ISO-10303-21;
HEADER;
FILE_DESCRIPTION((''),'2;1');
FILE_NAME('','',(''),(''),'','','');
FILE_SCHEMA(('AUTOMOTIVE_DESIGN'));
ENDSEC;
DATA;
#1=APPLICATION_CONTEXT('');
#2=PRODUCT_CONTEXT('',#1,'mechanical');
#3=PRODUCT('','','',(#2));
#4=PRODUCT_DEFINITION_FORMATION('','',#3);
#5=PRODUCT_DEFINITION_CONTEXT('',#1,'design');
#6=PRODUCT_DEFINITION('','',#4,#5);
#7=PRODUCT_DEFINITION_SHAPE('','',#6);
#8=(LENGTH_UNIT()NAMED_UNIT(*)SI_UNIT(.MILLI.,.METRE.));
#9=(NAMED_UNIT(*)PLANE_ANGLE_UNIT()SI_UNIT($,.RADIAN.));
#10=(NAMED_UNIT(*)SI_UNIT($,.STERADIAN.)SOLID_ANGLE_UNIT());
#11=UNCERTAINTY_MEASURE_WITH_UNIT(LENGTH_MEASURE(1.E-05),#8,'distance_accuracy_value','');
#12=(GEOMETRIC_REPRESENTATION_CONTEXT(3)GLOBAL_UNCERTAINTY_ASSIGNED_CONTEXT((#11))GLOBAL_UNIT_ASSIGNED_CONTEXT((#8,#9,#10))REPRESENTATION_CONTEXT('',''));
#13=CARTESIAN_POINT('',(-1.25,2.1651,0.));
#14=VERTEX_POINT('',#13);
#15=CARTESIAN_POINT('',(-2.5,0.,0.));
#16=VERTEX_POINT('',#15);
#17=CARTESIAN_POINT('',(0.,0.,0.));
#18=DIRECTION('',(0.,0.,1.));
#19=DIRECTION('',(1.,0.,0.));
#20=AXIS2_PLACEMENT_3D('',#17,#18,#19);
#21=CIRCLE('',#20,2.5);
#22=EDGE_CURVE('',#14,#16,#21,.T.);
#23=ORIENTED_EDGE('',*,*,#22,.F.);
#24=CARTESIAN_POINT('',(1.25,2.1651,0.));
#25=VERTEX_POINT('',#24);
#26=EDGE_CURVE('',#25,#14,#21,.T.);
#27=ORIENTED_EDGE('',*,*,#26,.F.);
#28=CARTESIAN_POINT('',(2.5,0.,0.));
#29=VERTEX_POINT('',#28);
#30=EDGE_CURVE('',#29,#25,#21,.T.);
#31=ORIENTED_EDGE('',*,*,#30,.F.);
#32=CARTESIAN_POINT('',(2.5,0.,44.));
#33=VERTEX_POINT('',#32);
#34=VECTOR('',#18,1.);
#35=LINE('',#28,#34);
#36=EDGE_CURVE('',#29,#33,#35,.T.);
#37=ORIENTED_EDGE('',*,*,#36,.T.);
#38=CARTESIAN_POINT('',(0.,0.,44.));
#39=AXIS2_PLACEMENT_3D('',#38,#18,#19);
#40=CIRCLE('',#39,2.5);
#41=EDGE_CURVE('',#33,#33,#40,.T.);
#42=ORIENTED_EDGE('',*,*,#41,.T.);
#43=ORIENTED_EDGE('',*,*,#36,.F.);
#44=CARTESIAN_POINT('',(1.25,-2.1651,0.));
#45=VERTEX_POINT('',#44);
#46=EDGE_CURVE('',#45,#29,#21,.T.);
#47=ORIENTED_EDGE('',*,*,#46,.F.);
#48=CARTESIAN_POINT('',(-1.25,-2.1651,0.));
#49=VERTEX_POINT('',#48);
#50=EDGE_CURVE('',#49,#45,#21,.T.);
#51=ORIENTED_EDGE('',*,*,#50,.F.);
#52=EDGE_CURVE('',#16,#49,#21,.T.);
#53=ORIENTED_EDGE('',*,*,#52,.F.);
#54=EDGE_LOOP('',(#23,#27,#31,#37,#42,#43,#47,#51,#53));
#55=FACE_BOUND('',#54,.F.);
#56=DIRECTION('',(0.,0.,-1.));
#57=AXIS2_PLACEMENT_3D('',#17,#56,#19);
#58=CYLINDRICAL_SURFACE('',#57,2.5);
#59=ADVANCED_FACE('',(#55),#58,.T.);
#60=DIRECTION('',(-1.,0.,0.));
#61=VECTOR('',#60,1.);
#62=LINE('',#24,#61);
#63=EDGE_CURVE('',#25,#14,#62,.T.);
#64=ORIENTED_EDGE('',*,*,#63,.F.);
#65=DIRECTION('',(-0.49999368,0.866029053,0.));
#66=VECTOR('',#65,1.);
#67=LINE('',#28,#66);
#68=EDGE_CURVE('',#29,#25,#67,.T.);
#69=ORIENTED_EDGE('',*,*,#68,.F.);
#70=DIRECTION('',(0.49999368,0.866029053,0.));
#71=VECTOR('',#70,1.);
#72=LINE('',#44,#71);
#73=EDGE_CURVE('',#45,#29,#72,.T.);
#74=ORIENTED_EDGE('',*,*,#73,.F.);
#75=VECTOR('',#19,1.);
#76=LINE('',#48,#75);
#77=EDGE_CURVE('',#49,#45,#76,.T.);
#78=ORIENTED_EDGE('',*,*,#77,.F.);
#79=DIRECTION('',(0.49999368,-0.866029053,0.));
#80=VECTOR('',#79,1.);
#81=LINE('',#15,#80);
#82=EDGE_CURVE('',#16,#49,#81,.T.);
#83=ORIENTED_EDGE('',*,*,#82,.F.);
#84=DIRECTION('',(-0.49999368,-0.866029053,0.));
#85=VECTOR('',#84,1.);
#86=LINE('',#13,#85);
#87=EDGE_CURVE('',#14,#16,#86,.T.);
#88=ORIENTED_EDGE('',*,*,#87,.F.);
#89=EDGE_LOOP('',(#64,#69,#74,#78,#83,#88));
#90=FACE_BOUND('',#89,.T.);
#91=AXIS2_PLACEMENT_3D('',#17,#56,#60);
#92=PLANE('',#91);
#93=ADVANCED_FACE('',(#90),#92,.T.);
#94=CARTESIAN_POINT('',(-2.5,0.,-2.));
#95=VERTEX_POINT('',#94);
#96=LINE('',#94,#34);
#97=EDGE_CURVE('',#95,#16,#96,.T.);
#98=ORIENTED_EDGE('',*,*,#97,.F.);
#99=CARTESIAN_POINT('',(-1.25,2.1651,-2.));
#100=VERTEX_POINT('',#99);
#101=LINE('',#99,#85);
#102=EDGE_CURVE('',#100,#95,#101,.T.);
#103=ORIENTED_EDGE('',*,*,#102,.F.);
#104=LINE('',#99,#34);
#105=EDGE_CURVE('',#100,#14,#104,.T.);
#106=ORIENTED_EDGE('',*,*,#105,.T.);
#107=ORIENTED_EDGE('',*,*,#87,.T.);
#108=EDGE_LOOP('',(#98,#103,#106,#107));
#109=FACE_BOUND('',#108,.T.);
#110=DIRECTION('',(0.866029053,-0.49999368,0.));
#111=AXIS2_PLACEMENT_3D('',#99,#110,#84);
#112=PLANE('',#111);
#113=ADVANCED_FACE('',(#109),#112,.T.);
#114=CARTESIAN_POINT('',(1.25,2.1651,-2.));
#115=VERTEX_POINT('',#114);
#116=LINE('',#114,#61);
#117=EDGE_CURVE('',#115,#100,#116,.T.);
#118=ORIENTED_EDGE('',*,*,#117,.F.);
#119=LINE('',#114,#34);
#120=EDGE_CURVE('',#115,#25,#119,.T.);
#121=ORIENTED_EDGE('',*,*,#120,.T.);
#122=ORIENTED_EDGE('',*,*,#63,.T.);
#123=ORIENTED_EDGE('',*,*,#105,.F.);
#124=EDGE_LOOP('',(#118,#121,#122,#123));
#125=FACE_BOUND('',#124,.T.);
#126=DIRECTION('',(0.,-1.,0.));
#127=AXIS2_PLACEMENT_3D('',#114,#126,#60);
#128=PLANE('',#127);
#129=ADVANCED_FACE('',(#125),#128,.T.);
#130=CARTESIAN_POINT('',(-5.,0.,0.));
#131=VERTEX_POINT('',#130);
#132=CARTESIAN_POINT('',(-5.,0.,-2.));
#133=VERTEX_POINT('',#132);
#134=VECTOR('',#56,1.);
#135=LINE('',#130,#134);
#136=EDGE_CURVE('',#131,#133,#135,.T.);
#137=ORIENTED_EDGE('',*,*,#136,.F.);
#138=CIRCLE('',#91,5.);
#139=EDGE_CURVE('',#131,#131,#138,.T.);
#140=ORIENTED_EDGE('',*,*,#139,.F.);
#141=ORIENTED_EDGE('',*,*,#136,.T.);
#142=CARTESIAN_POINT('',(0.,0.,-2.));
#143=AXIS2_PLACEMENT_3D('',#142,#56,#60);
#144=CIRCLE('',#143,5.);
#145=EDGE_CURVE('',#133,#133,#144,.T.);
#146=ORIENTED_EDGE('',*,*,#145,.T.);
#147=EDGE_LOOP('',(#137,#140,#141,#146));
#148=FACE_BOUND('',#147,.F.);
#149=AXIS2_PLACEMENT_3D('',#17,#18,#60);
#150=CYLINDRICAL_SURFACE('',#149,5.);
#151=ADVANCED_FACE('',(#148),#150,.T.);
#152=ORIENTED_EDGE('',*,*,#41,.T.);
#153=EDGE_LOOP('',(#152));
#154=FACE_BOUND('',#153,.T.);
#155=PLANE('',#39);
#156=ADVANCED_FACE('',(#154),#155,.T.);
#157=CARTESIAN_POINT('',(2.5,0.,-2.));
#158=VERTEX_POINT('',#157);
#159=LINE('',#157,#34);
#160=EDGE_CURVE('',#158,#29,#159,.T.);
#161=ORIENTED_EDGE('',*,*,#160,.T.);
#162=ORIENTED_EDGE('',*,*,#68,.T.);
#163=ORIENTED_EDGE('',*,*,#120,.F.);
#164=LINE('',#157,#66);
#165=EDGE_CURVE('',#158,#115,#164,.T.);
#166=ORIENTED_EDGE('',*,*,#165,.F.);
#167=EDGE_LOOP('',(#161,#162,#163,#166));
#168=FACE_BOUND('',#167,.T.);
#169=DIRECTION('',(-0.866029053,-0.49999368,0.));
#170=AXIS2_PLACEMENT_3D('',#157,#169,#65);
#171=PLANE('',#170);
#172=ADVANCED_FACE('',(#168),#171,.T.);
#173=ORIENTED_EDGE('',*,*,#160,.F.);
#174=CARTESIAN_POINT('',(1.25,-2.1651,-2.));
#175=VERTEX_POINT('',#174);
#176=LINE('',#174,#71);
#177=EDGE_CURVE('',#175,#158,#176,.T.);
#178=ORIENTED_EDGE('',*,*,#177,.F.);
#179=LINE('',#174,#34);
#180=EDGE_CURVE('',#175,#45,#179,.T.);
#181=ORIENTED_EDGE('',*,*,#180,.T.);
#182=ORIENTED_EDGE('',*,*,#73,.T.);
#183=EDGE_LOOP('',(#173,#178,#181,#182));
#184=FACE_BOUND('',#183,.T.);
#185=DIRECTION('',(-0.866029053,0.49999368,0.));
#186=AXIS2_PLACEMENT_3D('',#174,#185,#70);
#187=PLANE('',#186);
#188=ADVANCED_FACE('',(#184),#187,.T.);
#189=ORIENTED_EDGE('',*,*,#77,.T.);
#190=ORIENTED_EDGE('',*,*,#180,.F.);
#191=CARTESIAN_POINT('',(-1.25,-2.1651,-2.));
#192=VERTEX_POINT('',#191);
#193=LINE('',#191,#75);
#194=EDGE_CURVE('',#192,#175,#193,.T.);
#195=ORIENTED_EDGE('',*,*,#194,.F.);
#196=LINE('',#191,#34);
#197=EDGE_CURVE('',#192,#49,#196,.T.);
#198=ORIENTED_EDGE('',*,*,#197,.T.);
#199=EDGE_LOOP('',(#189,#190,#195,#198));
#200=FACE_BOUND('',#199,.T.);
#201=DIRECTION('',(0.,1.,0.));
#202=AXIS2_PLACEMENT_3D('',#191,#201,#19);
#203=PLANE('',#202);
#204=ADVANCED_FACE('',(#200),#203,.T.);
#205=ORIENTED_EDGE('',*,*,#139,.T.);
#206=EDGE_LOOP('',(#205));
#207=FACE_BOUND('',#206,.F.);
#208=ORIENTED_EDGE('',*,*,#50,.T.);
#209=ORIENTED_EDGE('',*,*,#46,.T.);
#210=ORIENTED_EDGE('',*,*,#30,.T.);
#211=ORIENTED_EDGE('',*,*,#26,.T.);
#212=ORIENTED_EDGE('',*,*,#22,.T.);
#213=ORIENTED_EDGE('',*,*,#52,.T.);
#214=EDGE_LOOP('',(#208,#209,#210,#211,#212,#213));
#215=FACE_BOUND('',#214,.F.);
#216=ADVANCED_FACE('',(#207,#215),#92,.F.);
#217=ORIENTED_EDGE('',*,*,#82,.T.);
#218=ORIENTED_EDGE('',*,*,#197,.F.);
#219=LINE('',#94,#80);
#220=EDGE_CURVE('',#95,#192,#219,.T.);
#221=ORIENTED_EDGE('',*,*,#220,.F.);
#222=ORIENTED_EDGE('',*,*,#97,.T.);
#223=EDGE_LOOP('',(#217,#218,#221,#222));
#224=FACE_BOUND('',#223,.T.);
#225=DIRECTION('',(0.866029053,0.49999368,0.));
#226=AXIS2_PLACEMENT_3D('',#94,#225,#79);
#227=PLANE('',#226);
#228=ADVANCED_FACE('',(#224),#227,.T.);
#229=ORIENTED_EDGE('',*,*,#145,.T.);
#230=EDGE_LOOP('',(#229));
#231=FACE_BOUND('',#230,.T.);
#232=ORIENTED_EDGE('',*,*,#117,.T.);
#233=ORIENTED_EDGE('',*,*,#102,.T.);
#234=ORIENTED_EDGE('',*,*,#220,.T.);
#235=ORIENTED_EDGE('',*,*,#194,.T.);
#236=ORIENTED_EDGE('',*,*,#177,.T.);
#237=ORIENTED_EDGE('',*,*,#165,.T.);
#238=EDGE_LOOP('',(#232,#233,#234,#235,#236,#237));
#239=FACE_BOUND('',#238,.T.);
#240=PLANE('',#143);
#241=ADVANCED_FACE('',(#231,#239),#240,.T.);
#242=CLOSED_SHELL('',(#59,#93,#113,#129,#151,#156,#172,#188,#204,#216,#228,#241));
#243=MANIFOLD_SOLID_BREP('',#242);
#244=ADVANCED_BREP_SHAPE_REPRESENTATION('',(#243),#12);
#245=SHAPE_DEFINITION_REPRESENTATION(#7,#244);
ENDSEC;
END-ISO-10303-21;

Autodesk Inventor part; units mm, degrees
ref_plane "YZ Plane" through (0, 0, 0) normal (1, 0, 0) x (0, 1, 0)
ref_plane "XZ Plane" through (0, 0, 0) normal (0, 1, 0) x (-1, 0, 0)
ref_plane "XY Plane" through (0, 0, 0) normal (0, 0, 1) x (1, 0, 0)
sketch "草图1" plane through (0, 0, 0) normal (0, 0, 1) x (1, 0, 0)
  circle A0 centre (0, 0) radius 2.5
  dimension "d0" = 5
extrude "拉伸1" add sketch "草图1" along normal blind 44
sketch "草图2" plane through (0, 0, 0) normal (0, 0, -1) x (-1, 0, 0)
  circle A0 centre (0, 0) radius 5
  dimension "d3" = 10
extrude "拉伸2" add sketch "草图2" along normal blind 2
sketch "草图3" plane through (0, 0, -2) normal (0, 0, -1) x (-1, 0, 0)
  circle A0 centre (0, 0) radius 2.5 projected
  line L0 (2.5, 0) -> (1.25, -2.1651)
  line L1 (1.25, -2.1651) -> (-1.25, -2.1651)
  line L2 (-1.25, -2.1651) -> (-2.5, 0)
  line L3 (-2.5, 0) -> (-1.25, 2.1651)
  line L4 (-1.25, 2.1651) -> (1.25, 2.1651)
  line L5 (1.25, 2.1651) -> (2.5, 0)
  dimension "d6" = 4.3301
extrude "拉伸3" cut sketch "草图3" against normal blind 2 contours L0 L1 L2 L3 L4 L5
thread "螺纹1" size "M5x0.8" class "6g" standard "ANSI Metric M Profile" full length
properties part number "Hex Screws used in Desk"
